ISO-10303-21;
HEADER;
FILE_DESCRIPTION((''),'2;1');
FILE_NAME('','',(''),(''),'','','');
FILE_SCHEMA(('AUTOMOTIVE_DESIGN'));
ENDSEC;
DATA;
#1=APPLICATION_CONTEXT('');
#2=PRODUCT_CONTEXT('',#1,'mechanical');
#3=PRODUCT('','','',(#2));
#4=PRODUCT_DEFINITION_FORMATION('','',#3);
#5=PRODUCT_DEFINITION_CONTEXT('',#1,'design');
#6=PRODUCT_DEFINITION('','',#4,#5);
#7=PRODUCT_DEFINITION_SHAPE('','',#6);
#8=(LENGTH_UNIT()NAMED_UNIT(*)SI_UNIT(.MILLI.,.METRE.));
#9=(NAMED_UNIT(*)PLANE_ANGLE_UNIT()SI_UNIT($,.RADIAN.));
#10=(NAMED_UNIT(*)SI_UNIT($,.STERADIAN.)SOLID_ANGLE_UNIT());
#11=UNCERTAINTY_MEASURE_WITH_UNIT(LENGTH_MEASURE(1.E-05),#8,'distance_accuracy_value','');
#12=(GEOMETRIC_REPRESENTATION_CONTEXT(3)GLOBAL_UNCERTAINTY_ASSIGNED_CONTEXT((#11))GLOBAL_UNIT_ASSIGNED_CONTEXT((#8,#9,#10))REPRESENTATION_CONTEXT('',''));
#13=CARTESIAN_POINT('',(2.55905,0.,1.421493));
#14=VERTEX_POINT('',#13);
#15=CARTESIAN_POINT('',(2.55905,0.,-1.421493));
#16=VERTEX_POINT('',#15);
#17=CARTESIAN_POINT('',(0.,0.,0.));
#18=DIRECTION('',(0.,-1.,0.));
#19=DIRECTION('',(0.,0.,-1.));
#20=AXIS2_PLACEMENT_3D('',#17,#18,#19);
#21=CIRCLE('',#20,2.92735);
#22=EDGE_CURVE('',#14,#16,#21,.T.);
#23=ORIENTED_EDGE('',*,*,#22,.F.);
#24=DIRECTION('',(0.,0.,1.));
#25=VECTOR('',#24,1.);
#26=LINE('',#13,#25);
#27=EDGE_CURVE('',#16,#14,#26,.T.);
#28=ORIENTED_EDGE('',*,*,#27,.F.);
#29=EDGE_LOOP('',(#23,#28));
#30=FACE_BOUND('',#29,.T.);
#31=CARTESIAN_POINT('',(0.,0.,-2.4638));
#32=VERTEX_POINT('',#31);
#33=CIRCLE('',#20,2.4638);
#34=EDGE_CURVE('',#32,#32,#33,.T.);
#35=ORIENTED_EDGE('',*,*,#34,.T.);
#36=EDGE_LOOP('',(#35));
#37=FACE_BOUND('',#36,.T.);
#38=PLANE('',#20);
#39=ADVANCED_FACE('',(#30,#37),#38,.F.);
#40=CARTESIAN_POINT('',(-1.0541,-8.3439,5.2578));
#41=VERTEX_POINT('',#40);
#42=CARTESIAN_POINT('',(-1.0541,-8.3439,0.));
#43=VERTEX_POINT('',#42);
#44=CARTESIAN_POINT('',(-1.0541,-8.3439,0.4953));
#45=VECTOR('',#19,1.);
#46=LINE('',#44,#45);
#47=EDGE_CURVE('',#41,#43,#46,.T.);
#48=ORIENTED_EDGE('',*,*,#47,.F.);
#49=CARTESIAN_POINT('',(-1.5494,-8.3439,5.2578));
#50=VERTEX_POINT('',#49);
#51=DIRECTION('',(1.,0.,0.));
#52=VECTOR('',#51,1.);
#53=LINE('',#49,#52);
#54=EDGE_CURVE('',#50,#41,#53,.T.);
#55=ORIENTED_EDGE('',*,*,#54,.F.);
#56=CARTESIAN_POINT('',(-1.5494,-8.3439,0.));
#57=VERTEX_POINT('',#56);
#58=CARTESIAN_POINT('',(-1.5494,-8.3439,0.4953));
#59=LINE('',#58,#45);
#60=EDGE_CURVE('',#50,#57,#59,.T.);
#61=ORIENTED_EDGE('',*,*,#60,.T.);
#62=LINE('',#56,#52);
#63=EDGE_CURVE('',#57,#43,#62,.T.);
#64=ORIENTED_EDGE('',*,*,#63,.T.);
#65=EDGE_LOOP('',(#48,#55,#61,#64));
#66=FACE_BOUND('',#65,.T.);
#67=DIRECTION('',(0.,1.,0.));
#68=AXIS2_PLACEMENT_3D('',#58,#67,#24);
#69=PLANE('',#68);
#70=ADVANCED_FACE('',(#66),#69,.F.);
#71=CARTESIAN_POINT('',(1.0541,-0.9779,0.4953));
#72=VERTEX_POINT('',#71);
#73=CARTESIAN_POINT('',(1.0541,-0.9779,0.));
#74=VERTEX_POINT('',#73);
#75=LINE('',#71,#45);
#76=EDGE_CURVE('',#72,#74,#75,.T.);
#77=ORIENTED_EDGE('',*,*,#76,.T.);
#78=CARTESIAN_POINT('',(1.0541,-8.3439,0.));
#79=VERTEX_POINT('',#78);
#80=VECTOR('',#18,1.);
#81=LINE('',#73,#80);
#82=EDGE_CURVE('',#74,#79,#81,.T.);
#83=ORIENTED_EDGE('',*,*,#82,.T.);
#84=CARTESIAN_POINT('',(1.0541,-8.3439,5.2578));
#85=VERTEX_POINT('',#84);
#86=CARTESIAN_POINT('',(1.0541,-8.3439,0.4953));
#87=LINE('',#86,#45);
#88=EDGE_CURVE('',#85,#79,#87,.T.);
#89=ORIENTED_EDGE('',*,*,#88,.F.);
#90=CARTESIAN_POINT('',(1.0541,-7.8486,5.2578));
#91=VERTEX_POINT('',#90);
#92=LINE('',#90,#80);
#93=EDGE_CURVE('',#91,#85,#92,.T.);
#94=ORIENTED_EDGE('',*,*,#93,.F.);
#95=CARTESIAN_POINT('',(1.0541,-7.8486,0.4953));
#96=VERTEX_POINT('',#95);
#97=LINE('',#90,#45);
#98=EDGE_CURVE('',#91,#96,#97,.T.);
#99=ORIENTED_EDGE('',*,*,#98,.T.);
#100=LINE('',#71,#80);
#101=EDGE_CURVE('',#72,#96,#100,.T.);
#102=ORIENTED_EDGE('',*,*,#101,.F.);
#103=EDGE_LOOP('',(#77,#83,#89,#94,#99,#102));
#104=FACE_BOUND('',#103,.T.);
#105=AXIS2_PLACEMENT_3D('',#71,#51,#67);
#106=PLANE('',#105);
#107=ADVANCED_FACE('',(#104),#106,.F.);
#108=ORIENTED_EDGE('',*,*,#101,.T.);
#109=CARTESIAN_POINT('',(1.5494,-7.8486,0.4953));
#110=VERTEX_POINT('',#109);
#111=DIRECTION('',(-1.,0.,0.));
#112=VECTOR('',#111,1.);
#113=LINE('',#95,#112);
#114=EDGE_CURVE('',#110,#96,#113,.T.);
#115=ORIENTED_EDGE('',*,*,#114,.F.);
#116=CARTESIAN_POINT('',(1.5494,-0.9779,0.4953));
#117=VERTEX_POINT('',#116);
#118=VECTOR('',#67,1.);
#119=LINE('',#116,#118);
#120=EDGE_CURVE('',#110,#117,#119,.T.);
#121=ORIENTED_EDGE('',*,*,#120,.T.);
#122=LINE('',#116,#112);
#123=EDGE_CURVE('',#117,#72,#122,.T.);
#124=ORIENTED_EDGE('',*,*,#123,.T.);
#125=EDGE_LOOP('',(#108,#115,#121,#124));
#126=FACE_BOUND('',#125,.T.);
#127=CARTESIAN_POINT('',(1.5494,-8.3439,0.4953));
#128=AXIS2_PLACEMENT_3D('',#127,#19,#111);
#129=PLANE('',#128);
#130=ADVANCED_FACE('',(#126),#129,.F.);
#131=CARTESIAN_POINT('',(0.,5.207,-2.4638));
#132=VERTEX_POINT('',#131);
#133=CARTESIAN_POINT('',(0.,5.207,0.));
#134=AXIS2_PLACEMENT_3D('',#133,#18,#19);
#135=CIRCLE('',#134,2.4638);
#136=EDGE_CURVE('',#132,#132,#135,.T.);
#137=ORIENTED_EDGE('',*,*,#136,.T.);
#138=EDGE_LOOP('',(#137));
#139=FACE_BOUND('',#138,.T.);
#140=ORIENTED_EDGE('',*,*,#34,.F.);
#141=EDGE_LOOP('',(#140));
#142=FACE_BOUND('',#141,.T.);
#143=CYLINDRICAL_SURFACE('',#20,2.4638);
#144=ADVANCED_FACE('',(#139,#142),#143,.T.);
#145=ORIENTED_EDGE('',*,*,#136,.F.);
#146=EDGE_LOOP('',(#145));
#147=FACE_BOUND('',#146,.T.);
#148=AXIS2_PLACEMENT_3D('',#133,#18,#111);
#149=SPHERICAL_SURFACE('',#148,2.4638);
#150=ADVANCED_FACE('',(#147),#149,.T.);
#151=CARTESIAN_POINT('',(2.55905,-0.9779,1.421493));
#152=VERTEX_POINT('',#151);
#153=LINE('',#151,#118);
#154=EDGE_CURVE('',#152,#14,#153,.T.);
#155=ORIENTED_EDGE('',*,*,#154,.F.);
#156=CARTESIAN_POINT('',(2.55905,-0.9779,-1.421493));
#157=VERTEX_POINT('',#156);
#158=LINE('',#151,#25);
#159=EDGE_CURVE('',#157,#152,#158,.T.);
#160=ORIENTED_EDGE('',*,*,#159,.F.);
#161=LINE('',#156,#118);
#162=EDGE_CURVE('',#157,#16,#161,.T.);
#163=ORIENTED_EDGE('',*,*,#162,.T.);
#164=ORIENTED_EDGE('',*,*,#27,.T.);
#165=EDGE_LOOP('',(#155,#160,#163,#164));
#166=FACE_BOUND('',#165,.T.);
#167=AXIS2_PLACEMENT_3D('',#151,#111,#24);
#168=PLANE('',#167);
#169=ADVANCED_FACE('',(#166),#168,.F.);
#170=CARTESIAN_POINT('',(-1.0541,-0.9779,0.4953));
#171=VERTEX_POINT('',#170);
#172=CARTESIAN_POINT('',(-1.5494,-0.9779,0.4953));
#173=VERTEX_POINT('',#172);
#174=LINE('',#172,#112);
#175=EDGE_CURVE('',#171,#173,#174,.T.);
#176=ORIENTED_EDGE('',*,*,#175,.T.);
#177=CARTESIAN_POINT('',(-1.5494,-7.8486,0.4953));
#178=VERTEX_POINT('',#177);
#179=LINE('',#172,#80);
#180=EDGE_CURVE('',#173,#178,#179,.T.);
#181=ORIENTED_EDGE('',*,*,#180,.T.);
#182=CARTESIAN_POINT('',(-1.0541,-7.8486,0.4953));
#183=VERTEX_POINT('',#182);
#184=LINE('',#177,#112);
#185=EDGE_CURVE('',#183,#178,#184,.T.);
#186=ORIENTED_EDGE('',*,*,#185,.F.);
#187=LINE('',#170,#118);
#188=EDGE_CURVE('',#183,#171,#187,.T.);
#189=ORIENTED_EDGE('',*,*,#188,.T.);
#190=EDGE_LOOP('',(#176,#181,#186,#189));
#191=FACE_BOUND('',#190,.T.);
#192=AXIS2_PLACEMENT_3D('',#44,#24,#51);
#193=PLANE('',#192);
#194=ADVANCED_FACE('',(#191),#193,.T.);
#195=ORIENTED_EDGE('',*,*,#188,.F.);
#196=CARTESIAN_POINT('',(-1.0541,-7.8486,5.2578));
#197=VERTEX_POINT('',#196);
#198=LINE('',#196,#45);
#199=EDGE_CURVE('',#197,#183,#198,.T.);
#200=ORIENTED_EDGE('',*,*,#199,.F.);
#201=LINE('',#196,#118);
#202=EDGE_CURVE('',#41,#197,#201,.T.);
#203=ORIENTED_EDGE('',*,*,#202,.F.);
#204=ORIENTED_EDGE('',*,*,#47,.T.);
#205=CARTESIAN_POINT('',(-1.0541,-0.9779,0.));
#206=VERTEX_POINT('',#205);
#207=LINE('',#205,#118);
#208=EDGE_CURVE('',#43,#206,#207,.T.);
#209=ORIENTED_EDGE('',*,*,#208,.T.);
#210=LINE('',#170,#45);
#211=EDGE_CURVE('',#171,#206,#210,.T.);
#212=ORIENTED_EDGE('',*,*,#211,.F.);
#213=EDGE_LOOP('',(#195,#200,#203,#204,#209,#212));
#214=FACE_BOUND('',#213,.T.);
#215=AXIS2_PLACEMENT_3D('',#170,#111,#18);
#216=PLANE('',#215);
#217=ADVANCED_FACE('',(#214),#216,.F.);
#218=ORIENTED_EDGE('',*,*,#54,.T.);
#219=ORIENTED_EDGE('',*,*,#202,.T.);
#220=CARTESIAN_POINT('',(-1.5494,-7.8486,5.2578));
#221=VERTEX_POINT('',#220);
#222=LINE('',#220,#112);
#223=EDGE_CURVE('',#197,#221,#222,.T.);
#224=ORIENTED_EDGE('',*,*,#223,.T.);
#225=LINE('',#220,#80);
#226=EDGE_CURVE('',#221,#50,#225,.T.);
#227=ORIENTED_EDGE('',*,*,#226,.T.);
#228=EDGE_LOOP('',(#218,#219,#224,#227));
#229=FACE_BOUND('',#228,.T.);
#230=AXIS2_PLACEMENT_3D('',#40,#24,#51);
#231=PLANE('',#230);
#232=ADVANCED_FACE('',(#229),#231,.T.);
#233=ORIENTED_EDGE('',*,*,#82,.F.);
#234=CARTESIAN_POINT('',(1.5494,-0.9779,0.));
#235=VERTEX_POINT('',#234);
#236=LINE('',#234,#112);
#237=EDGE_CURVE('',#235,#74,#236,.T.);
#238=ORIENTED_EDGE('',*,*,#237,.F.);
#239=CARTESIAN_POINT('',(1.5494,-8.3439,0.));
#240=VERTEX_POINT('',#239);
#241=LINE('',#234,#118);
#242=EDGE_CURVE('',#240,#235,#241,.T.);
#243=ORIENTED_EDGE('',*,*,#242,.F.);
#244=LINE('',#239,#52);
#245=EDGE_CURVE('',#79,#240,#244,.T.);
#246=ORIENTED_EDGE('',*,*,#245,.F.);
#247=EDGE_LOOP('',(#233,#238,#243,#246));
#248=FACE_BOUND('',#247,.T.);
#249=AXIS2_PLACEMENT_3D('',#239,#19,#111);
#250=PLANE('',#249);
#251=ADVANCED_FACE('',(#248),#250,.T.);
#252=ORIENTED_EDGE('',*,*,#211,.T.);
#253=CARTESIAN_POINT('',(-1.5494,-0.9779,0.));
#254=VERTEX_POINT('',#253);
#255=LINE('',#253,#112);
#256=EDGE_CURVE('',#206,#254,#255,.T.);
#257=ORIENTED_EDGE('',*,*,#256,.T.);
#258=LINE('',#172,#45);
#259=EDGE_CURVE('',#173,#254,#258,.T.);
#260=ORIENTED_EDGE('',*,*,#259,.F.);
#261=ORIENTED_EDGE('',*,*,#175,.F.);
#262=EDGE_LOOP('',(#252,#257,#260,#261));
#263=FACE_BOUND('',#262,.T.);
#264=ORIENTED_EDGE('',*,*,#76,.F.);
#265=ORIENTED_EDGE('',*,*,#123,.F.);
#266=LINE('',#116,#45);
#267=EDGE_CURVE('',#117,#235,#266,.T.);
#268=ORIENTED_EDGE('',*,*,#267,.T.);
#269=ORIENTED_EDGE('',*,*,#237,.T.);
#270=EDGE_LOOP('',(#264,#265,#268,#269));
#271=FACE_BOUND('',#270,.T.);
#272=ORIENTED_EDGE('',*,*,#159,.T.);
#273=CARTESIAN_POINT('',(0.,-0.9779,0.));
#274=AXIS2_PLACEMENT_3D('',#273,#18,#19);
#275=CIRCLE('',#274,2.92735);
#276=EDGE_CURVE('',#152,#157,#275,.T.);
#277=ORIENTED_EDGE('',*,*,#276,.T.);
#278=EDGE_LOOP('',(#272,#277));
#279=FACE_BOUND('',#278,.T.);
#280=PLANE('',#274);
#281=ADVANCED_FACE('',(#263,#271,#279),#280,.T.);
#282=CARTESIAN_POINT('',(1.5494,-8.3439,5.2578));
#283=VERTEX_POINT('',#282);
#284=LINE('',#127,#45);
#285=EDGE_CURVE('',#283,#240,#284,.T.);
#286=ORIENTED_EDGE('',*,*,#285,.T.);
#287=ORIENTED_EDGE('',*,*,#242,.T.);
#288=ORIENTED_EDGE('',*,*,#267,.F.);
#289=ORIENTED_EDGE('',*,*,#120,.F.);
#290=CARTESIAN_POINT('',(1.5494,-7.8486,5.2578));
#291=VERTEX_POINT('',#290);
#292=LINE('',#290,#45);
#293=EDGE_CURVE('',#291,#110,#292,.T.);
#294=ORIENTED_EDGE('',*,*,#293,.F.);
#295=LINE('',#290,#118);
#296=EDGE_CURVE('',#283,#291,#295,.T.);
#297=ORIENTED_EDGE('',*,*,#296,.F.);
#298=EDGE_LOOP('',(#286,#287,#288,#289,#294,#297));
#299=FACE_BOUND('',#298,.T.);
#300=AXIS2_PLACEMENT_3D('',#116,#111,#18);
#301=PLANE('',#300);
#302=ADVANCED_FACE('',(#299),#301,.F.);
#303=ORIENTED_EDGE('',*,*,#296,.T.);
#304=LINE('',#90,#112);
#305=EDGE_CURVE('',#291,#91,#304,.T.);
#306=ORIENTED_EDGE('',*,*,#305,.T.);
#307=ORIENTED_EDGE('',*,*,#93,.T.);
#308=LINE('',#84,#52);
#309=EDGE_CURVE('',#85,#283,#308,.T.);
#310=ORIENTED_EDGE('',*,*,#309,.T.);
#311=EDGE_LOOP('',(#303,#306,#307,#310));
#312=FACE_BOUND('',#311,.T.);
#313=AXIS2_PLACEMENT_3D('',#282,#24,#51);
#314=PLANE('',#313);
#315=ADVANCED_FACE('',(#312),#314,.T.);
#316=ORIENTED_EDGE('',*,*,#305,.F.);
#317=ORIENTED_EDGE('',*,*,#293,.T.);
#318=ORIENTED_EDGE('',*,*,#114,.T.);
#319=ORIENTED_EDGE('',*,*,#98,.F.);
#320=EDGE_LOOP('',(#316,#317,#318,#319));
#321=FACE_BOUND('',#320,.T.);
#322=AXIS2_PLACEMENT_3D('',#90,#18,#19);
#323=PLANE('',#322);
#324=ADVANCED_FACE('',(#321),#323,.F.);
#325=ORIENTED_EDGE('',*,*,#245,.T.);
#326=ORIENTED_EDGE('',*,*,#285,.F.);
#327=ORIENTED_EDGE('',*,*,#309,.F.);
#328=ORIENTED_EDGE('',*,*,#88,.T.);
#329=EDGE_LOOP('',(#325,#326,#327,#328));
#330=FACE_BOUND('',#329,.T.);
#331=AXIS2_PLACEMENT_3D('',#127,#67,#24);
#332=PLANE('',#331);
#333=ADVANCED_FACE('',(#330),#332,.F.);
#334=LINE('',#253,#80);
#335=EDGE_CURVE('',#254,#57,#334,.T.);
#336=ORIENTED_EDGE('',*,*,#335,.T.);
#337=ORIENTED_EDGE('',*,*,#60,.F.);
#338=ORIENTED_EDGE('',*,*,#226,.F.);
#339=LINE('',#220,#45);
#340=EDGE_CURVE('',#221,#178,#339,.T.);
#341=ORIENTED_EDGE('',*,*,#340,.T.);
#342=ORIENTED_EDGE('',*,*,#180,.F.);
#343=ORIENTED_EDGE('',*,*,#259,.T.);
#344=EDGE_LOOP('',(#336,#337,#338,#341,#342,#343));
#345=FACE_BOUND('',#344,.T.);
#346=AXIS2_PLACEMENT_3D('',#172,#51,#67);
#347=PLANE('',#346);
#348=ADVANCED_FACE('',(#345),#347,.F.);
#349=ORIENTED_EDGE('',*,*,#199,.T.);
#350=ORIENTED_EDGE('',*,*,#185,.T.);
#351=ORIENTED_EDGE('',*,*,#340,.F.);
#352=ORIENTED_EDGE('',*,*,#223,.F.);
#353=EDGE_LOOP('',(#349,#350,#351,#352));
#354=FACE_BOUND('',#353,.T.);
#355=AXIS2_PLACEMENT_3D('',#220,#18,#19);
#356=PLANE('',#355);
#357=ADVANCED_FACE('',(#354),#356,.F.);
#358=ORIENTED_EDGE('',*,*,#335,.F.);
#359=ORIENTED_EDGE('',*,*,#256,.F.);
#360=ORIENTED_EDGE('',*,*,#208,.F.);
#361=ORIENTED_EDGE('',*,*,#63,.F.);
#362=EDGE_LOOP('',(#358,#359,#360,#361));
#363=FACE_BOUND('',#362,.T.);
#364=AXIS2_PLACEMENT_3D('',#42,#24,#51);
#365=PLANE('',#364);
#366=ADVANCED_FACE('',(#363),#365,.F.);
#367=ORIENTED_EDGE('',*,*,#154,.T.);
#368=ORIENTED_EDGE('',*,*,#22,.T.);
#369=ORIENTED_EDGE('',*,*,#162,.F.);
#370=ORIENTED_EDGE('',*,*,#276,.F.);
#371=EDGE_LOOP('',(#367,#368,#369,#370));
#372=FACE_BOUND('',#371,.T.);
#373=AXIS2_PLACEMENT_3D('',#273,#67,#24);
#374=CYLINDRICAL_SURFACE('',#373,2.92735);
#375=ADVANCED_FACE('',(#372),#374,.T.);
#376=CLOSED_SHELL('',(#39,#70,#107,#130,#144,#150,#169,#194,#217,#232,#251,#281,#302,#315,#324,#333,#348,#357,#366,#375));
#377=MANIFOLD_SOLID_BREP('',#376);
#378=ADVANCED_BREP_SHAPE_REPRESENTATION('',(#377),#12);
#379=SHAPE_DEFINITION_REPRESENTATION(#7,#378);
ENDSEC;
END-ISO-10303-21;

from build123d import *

# Parameters (mm, degrees)
BOSS_EXTRUDE2_DEPTH = 0.9779
SKETCH5_W           = 0.4953
SKETCH5_H           = 7.366
BOSS_EXTRUDE3_DEPTH = 0.4953
SKETCH6_W           = 0.4953
SKETCH6_H           = 0.4953
BOSS_EXTRUDE4_DEPTH = 4.7625
SKETCH7_W           = 0.4953
SKETCH7_H           = 0.4953
BOSS_EXTRUDE5_DEPTH = 4.7625


with BuildPart() as part:
    # Sketch3 → Revolve1 (revolve)
    with BuildSketch(Plane.XY):
        with BuildLine():
            Line((-2.4638, 5.207), (-2.4638, 0))
            Line((-2.4638, 0), (0, 0))
            Line((0, 0), (0, 7.6708))
            ThreePointArc((0, 7.6708), (-1.742169687, 6.949169687), (-2.4638, 5.207))
        make_face()
    revolve(axis=Axis((0, 0, 0), (0, 1, 0)))

    # Sketch4 → Boss-Extrude2 (add)
    with BuildSketch(Plane.XZ):
        with BuildLine():
            Line((2.55905, 1.421492568), (2.55905, -1.421492568))
            ThreePointArc((2.55905, -1.421492568), (-2.92735, 0), (2.55905, 1.421492568))
        make_face()
    extrude(amount=BOSS_EXTRUDE2_DEPTH)

    # Sketch5 → Boss-Extrude3 (add)
    with BuildSketch(Plane.XY):
        with Locations((-1.30175, -4.6609)):
            Rectangle(SKETCH5_W, SKETCH5_H)
        with Locations((1.30175, -4.6609)):
            Rectangle(SKETCH5_W, SKETCH5_H)
    extrude(amount=BOSS_EXTRUDE3_DEPTH)

    # Sketch6 → Boss-Extrude4 (add)
    with BuildSketch(Plane.XY.offset(0.4953)):
        with Locations((-1.30175, -8.09625)):
            Rectangle(SKETCH6_W, SKETCH6_H)
    extrude(amount=BOSS_EXTRUDE4_DEPTH)

    # Sketch7 → Boss-Extrude5 (add)
    with BuildSketch(Plane.XY.offset(0.4953)):
        with Locations((1.30175, -8.09625)):
            Rectangle(SKETCH7_W, SKETCH7_H)
    extrude(amount=BOSS_EXTRUDE5_DEPTH)


solid = part.part
